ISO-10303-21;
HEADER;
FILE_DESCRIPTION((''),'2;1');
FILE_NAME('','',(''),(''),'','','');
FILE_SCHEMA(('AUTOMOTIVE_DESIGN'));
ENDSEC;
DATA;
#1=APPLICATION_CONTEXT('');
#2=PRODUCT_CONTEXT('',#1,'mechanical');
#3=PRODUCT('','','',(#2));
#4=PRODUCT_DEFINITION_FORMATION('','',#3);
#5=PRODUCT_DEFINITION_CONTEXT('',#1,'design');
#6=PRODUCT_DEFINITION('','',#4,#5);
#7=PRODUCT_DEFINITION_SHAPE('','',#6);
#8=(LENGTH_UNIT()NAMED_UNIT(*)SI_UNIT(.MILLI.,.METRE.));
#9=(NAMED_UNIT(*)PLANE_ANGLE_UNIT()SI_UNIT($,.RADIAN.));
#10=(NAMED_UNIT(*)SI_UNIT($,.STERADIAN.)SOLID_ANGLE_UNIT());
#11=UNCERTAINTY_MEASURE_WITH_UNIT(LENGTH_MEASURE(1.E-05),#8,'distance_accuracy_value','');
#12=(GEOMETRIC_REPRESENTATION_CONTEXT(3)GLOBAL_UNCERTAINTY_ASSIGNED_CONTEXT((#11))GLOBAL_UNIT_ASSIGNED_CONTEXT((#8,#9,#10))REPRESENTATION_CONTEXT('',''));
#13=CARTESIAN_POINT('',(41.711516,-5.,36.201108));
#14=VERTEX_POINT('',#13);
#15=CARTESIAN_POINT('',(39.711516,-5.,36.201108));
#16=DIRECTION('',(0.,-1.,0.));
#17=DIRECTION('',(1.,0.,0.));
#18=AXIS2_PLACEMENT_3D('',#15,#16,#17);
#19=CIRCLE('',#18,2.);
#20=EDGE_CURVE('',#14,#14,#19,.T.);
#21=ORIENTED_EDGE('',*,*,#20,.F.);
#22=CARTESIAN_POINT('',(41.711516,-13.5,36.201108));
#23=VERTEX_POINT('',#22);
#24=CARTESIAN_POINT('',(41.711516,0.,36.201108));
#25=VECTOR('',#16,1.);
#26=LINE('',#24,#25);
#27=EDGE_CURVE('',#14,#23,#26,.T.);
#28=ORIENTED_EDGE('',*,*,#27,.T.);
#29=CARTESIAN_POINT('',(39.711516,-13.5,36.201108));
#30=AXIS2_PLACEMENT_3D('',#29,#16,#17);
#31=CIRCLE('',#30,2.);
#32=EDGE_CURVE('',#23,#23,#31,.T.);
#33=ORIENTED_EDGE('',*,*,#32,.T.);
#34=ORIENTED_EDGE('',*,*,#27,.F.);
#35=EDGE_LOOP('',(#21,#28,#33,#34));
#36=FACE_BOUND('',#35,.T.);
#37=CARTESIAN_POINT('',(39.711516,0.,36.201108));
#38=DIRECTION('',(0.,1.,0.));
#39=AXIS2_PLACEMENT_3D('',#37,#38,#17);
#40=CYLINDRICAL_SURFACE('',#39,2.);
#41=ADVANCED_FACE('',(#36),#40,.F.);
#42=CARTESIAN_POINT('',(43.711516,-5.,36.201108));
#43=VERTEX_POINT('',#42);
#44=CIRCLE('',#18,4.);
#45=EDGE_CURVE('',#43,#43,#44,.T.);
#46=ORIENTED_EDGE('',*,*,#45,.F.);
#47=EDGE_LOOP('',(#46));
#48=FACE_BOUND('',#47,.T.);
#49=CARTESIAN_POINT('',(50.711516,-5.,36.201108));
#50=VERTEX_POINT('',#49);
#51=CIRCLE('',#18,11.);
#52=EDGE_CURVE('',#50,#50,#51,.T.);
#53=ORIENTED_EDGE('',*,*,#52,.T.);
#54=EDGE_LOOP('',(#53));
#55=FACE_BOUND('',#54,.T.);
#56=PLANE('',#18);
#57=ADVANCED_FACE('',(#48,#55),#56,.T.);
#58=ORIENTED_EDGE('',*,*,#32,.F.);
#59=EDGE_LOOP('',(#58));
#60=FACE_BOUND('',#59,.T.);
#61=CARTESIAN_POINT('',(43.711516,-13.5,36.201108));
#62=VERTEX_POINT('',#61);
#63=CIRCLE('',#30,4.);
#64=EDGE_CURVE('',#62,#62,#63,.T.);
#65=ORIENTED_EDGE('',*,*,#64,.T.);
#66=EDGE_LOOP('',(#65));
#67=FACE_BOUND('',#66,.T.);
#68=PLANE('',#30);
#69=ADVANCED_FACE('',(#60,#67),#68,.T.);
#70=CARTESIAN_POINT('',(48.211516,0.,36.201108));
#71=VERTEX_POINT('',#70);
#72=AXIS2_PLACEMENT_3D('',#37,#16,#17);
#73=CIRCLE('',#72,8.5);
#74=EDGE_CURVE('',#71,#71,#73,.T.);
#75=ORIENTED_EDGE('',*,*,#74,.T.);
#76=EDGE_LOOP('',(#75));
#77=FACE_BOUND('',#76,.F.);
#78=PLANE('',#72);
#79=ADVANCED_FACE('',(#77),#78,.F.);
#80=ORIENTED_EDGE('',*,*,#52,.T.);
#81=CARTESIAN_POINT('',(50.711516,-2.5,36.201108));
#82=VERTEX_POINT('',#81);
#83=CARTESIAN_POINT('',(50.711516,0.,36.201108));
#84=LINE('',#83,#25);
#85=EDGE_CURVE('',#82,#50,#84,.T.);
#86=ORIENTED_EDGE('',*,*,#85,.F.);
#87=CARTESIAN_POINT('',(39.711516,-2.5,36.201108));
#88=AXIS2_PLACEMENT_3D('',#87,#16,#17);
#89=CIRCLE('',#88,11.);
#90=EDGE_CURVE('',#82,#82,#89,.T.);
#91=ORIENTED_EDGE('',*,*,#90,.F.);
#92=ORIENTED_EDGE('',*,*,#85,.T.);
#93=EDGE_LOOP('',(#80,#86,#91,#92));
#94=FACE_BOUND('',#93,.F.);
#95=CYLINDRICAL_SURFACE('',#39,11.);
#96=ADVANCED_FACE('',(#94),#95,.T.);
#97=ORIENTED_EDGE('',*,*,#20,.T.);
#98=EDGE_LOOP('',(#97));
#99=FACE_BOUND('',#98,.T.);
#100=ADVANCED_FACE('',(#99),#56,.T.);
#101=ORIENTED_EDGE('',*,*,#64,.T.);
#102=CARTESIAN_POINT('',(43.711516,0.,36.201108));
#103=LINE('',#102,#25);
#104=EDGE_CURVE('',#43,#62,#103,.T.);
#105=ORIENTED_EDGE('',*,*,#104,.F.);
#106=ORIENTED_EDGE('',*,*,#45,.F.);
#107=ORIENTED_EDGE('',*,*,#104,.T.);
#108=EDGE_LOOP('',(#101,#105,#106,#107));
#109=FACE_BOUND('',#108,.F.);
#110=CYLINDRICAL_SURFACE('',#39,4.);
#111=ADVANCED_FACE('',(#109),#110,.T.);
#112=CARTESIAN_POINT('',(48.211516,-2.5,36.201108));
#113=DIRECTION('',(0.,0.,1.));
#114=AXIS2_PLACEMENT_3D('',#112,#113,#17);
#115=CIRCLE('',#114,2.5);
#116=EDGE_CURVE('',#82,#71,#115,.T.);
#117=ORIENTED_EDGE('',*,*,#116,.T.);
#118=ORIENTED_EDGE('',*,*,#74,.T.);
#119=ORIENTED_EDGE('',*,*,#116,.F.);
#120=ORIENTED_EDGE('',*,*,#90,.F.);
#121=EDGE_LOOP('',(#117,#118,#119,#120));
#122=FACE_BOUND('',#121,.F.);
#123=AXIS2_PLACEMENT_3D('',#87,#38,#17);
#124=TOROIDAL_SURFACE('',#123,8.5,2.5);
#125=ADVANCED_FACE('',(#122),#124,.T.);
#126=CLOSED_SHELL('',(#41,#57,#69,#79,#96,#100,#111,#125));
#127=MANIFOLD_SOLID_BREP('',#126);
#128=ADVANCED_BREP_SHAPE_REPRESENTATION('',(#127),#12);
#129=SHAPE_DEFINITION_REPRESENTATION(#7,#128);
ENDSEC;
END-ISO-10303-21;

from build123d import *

# Parameters (mm, degrees)
F0_R     = 4
F0_R_2   = 2
F1_DEPTH = 13.5
F0_R_3   = 11
F2_DEPTH = 5
F3_R     = 2.5
F4_DEPTH = 5


with BuildPart() as f1:
    # F0 (on Front) → F1 (new body)
    with BuildSketch(Plane.XZ):
        with Locations((39.711516, 36.201108)):
            Circle(F0_R)
        with Locations((39.711516, 36.201108)):
            Circle(F0_R_2, mode=Mode.SUBTRACT)
    extrude(amount=F1_DEPTH)

    # F0 (on Front) → F2 (join)
    with BuildSketch(Plane.XZ):
        with Locations((39.711516, 36.201108)):
            Circle(F0_R_3)
        with Locations((39.711516, 36.201108)):
            Circle(F0_R, mode=Mode.SUBTRACT)
    extrude(amount=F2_DEPTH)

    # F3
    f3_edges = [f1.edges().sort_by_distance(p)[0] for p in [
        (28.711516, 0, 36.201108),
    ]]
    fillet(f3_edges, radius=F3_R)

    # F0 (on Front) → F4 (join)
    with BuildSketch(Plane.XZ):
        with Locations((39.711516, 36.201108)):
            Circle(F0_R_2)
    extrude(amount=F4_DEPTH)


solid = f1.part
